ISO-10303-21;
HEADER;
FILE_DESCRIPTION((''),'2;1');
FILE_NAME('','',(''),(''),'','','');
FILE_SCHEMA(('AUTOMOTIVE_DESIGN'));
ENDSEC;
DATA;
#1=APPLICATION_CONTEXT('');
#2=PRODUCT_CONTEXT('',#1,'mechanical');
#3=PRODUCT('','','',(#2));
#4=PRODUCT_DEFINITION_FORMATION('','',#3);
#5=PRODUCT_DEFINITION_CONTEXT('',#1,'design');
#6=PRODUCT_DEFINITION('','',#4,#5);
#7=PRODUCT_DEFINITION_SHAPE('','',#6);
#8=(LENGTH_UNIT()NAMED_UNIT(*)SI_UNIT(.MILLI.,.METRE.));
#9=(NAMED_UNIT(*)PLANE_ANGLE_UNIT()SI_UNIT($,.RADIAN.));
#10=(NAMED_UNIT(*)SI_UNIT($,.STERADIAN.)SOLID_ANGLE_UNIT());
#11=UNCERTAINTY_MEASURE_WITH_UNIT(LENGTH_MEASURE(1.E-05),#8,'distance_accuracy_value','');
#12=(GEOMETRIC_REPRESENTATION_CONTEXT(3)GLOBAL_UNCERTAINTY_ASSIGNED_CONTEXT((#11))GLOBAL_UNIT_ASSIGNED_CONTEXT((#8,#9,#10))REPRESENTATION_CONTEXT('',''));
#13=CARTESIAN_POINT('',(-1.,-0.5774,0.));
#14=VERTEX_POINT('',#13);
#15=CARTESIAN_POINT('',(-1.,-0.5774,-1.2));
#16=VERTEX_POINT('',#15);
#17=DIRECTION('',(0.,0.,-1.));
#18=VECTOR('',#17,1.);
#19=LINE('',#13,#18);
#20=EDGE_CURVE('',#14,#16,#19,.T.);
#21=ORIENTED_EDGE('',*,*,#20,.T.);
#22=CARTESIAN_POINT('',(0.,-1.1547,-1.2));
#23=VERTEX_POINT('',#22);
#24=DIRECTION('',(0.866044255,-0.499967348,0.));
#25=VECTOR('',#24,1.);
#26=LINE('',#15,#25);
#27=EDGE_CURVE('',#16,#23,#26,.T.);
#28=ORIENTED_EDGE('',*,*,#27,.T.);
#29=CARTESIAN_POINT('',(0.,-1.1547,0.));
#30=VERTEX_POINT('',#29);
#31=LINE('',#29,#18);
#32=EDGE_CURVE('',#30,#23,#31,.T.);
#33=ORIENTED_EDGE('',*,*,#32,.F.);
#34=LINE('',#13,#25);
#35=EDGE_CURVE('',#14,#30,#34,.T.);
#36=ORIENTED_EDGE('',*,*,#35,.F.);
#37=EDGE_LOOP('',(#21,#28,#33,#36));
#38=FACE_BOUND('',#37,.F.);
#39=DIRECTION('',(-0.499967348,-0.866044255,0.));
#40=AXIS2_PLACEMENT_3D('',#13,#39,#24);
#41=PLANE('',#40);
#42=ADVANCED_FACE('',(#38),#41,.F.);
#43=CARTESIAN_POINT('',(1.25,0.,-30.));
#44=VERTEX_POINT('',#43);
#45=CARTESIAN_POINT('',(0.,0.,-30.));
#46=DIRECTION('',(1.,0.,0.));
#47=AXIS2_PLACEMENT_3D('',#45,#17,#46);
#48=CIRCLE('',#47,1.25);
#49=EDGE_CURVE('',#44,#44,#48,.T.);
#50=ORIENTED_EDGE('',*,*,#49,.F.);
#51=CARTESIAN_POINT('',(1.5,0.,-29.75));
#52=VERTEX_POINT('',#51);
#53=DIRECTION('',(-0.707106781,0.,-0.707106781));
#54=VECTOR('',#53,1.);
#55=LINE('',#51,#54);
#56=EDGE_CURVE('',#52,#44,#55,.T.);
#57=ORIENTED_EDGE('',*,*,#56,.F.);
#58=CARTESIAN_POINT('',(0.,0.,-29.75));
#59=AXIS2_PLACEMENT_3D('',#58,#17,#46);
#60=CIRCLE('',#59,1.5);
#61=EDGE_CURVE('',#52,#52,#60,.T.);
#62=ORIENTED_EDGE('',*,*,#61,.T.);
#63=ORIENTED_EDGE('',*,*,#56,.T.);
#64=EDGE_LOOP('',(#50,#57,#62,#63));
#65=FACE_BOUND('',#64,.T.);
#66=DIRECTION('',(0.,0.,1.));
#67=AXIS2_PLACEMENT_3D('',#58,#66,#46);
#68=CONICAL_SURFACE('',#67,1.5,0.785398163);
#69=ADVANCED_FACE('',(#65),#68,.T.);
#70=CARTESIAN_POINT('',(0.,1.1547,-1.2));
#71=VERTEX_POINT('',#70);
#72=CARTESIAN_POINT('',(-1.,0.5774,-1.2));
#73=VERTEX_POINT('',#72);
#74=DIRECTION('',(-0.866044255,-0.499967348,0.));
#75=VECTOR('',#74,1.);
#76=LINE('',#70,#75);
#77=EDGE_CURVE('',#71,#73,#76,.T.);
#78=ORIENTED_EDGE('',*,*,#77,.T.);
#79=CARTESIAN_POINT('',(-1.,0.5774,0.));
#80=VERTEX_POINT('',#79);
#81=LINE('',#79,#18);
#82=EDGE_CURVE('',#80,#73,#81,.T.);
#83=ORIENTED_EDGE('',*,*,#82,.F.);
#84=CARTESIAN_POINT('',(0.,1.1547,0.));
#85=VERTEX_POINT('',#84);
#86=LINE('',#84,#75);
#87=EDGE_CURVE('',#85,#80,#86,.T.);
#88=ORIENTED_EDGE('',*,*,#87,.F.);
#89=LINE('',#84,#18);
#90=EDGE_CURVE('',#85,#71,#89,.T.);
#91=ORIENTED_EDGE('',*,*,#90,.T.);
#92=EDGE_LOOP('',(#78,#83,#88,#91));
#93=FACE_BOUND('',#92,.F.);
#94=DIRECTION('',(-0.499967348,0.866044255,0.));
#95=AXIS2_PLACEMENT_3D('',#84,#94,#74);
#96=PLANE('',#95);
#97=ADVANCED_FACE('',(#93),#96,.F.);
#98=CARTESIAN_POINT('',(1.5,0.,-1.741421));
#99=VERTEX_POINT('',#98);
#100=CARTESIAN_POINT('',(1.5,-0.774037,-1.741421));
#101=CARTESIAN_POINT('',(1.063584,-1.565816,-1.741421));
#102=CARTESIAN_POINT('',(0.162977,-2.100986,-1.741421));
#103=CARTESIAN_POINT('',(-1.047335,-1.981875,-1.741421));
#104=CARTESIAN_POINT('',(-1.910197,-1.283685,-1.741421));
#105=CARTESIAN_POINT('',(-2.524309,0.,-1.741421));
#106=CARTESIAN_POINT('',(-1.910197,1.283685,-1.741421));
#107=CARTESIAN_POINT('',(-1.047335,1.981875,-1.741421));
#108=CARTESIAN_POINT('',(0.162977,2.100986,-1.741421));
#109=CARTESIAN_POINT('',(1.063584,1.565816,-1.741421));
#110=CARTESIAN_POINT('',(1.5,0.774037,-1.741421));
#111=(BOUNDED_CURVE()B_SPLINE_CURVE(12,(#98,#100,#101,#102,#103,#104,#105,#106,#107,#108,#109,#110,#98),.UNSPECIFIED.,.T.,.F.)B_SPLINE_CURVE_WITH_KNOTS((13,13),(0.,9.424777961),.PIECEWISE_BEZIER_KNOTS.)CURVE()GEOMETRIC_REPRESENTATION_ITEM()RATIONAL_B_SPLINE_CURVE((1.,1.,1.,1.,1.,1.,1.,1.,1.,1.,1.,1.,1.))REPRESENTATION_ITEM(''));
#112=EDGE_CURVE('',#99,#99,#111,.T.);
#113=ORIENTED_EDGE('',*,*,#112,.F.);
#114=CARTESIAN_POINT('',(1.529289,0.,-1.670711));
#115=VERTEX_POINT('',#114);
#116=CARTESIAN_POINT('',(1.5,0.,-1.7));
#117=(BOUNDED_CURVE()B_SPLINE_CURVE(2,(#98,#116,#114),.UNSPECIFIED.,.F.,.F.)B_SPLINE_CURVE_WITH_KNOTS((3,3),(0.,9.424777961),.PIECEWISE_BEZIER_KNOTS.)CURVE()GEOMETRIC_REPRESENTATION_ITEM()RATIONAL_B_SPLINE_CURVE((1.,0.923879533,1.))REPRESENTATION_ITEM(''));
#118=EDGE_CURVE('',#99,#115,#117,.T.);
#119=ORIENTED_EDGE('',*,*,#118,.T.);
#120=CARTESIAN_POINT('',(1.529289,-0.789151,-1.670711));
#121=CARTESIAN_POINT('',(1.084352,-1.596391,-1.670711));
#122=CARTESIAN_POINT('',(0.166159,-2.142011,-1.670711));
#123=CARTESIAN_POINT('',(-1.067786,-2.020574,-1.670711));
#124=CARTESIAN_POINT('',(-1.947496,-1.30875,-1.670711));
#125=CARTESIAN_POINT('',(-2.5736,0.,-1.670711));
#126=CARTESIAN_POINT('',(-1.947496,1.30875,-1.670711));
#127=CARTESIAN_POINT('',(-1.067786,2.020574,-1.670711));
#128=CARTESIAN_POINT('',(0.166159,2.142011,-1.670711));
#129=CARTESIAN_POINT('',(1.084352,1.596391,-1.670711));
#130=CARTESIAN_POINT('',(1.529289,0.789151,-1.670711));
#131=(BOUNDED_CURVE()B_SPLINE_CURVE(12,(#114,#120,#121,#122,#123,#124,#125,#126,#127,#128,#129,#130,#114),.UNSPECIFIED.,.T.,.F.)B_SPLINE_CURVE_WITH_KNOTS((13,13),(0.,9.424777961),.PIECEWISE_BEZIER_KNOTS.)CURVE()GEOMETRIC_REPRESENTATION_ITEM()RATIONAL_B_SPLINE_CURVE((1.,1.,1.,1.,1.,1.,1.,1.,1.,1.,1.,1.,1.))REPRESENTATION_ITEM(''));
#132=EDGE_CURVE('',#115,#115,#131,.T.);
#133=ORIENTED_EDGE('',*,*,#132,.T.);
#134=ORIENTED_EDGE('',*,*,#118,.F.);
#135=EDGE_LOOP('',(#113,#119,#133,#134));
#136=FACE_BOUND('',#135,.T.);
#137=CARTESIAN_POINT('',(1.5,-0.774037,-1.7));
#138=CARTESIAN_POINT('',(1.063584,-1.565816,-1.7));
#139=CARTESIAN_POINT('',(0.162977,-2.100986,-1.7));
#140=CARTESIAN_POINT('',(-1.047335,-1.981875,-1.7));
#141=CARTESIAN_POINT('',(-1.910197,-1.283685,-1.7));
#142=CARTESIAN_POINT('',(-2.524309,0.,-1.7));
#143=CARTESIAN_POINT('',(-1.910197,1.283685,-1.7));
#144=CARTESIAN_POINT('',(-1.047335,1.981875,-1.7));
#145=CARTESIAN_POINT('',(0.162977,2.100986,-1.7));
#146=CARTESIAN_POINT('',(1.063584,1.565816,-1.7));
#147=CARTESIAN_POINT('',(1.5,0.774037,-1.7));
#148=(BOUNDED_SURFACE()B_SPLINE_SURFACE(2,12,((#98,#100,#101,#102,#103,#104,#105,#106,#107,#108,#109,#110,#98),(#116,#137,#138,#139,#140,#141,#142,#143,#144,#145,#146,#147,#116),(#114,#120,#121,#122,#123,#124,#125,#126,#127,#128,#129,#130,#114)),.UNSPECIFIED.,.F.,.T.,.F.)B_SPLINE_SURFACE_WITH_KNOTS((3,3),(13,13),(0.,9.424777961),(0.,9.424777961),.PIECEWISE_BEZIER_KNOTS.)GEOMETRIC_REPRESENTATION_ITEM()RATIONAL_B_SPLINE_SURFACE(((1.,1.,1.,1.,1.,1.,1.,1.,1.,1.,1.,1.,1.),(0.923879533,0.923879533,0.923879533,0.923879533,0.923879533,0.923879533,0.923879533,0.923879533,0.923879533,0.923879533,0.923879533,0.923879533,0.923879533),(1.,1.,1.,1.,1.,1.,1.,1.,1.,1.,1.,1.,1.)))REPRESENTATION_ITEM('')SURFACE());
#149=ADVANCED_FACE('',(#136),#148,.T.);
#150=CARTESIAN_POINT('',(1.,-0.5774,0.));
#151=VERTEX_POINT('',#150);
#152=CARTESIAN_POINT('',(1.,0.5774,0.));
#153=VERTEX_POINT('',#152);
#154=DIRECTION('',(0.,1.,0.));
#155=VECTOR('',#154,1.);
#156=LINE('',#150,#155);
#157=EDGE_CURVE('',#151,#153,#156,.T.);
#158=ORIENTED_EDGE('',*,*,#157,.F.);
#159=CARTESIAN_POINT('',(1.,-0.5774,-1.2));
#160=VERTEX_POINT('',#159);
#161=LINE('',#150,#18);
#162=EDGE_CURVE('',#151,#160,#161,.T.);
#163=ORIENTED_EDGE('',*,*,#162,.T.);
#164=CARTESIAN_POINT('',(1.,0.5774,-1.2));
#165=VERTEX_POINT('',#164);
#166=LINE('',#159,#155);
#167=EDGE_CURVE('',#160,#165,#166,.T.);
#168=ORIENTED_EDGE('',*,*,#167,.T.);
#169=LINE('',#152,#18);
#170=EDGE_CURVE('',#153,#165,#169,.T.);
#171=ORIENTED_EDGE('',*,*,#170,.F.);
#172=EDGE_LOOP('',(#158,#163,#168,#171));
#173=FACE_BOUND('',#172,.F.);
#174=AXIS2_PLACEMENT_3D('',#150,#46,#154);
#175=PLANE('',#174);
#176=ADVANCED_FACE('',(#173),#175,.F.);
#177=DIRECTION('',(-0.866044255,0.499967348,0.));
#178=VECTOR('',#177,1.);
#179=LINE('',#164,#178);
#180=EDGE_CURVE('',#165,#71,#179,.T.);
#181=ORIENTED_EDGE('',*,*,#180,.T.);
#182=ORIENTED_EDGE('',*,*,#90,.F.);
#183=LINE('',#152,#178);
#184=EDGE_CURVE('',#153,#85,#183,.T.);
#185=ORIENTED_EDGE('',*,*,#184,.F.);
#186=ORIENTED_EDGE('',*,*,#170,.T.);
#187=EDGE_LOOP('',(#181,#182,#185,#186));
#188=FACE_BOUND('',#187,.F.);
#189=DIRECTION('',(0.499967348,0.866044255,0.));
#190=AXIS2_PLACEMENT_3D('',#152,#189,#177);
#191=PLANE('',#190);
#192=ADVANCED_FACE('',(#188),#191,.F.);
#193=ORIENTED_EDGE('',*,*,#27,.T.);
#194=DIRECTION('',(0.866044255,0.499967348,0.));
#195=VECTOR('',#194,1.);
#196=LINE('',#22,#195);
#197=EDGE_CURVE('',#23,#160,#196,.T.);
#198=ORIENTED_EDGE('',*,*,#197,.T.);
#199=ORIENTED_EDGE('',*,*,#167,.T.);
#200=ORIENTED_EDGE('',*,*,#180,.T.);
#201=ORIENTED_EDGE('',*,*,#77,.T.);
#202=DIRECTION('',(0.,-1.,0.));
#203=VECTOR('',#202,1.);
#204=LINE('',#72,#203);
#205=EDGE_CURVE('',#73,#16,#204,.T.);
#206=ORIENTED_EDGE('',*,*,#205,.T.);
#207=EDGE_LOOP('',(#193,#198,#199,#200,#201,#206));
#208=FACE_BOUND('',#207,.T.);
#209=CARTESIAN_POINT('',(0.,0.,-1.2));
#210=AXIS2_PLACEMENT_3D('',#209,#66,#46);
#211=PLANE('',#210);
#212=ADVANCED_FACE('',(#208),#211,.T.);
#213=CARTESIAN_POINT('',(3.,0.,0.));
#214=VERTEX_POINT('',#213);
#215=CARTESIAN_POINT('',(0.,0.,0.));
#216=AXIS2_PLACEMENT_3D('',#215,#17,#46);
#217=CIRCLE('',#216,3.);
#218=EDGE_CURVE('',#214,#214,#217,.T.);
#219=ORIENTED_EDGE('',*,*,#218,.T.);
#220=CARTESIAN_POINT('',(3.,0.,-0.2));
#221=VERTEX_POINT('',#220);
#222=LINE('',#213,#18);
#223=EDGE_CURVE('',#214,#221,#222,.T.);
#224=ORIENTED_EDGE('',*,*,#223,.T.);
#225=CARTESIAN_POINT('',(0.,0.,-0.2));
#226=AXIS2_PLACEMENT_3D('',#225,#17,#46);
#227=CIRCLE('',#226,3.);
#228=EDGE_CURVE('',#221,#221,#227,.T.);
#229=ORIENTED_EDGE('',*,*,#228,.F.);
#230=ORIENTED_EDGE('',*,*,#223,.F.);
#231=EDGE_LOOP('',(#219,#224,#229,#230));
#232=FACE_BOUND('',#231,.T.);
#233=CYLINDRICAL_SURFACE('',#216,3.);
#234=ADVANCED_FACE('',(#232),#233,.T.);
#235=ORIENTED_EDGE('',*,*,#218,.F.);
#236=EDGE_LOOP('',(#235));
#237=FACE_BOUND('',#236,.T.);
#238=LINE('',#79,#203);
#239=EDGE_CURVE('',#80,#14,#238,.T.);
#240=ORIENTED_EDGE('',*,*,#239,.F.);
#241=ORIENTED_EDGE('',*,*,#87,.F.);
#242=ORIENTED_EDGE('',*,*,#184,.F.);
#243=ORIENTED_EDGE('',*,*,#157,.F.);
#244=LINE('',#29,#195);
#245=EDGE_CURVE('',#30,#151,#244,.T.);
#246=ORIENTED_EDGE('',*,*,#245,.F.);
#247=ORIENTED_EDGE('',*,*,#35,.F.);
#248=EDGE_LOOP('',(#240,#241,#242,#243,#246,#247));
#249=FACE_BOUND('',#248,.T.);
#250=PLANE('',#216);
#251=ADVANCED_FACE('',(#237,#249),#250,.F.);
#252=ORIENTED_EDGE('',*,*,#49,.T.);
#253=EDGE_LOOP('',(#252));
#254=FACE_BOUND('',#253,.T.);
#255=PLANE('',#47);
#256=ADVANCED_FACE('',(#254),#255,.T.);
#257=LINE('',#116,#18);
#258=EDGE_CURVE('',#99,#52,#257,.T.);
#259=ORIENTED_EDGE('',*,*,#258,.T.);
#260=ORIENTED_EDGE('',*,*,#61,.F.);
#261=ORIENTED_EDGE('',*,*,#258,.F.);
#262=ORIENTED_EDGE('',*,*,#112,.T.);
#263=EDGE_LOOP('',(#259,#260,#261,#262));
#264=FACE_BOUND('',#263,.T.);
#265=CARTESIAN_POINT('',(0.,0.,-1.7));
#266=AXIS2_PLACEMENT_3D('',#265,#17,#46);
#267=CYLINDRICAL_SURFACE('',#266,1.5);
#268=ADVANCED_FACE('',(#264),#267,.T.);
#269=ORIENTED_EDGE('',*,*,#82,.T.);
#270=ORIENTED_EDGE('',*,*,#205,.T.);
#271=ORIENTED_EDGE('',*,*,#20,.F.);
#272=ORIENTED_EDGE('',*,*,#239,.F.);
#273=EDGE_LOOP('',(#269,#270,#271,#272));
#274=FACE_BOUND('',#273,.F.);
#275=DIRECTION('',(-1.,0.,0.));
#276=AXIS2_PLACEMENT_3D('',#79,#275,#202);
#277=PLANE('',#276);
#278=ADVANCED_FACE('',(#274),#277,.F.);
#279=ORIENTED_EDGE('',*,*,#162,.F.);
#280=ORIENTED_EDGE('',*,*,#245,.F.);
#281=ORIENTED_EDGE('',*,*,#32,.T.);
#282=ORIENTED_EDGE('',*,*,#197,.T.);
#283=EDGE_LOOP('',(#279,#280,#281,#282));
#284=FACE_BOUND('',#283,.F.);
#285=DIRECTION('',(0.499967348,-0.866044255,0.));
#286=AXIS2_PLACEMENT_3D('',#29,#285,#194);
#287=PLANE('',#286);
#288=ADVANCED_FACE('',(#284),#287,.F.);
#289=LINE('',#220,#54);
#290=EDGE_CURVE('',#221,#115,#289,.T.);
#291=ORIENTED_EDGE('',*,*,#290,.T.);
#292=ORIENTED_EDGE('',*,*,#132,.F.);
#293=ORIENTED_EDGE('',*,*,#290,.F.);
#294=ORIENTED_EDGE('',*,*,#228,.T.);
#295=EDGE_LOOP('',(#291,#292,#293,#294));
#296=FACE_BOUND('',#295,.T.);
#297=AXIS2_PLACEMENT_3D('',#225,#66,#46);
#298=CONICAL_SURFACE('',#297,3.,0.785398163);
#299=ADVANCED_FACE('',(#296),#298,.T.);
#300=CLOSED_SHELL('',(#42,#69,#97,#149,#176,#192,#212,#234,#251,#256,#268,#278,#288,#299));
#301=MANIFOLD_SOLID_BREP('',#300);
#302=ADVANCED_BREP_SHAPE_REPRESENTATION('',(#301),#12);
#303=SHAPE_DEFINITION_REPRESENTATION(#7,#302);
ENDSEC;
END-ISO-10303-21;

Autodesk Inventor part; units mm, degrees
ref_plane "YZ Plane" through (0, 0, 0) normal (1, 0, 0) x (0, 1, 0)
sketch "Skizze1" plane through (0, 0, 0) normal (0, 1, 0) x (-1, 0, 0)
  point P0 (0, 0)
sketch "Skizze2" plane through (0, 0, 0) normal (0, 1, 0) x (-1, 0, 0)
  line L0 (-1.5, -30) -> (0, -30)
  line L1 (-1.5, -1.7) -> (-1.5, -30)
  line L2 (-3, -0.2) -> (-1.5, -1.7)
  line L3 (-3, 0) -> (-3, -0.2)
  line L4 (0, 0) -> (-3, 0)
  line L5 (0, -30) -> (0, 0)
  line L6 (0, -30) -> (0, 0)
  line L7 (0, -36) -> (0, 6) projected
  line L8 (0.6, 0) -> (-3.6, 0) projected
  dimension "d3" = 3
  dimension "d5" = 1.5
  dimension "d7" = 30
  dimension "ParC" = 0.2
  dimension "d22" = 0
  dimension "d23" = 0
  dimension "d43" = 45
revolve "Drehung1" add sketch "Skizze2" angle 360 about axis through (0, 0, -30) along (0, 0, -1)
sketch "Skizze3" plane through (0, 0, 0) normal (0, 0, 1) x (1, 0, 0)
  line L0 (-1, 0.5774) -> (-1, -0.5774)
  line L1 (0, 1.1547) -> (-1, 0.5774)
  line L2 (1, 0.5774) -> (0, 1.1547)
  line L3 (1, -0.5774) -> (1, 0.5774)
  line L4 (0, -1.1547) -> (1, -0.5774)
  line L5 (-1, -0.5774) -> (0, -1.1547)
  circle A0 centre (0, 0) radius 1 construction
  circle A1 centre (0, 0) radius 1.5 construction
  dimension "d11" = 2
  dimension "d13" = 120
  dimension "d15" = 120
extrude "Extrusion1" cut sketch "Skizze3" against normal blind 1.2
fillet "Rundung1" radius 0.1 1 edges at (-1.5, 0, -1.7)
chamfer "Fase1" distance 0.25 angle 45 1 edges at (-1.5, 0, -30) measured on face at (1.4041, 0.5277, -20.5805)
thread "Gewinde1" size "M3x0.5" class "6g" standard "ISO Metric profile" length 12
ref_plane "MSC_PF1" through (0, 0, 0) normal (1, 0, 0) x (0, 1, 0)
ref_plane "MSC_PT1" through (0, 0, 0) normal (0, 0, -1) x (-1, 0, 0)
equation "\"d3\" = 0.5 * dk"
equation "\"d5\" = 0.5 * NND"
equation "\"d7\" = NLG"
equation "\"d43\" = 0.5 * ang"
equation "\"d11\" = ParS"
equation "\"d16\" = ParT"
equation "\"d18\" = r"
equation "\"d19\" = 0.5 * PTC"
equation "\"d39\" = 0.5 * PTC"
equation "\"NND\" = 3"
equation "\"PTC\" = 0.5"
equation "\"dk\" = 6"
equation "\"ParK\" = 1.7"
equation "\"ParS\" = 2"
equation "\"ParT\" = 1.2"
equation "\"r\" = 0.1"
equation "\"NLG\" = 30"
equation "\"ang\" = 90deg"
equation "\"THREADDIA\" = NND"
properties part number "DIN 7991 - M3x30" material "Stahl, weich"
